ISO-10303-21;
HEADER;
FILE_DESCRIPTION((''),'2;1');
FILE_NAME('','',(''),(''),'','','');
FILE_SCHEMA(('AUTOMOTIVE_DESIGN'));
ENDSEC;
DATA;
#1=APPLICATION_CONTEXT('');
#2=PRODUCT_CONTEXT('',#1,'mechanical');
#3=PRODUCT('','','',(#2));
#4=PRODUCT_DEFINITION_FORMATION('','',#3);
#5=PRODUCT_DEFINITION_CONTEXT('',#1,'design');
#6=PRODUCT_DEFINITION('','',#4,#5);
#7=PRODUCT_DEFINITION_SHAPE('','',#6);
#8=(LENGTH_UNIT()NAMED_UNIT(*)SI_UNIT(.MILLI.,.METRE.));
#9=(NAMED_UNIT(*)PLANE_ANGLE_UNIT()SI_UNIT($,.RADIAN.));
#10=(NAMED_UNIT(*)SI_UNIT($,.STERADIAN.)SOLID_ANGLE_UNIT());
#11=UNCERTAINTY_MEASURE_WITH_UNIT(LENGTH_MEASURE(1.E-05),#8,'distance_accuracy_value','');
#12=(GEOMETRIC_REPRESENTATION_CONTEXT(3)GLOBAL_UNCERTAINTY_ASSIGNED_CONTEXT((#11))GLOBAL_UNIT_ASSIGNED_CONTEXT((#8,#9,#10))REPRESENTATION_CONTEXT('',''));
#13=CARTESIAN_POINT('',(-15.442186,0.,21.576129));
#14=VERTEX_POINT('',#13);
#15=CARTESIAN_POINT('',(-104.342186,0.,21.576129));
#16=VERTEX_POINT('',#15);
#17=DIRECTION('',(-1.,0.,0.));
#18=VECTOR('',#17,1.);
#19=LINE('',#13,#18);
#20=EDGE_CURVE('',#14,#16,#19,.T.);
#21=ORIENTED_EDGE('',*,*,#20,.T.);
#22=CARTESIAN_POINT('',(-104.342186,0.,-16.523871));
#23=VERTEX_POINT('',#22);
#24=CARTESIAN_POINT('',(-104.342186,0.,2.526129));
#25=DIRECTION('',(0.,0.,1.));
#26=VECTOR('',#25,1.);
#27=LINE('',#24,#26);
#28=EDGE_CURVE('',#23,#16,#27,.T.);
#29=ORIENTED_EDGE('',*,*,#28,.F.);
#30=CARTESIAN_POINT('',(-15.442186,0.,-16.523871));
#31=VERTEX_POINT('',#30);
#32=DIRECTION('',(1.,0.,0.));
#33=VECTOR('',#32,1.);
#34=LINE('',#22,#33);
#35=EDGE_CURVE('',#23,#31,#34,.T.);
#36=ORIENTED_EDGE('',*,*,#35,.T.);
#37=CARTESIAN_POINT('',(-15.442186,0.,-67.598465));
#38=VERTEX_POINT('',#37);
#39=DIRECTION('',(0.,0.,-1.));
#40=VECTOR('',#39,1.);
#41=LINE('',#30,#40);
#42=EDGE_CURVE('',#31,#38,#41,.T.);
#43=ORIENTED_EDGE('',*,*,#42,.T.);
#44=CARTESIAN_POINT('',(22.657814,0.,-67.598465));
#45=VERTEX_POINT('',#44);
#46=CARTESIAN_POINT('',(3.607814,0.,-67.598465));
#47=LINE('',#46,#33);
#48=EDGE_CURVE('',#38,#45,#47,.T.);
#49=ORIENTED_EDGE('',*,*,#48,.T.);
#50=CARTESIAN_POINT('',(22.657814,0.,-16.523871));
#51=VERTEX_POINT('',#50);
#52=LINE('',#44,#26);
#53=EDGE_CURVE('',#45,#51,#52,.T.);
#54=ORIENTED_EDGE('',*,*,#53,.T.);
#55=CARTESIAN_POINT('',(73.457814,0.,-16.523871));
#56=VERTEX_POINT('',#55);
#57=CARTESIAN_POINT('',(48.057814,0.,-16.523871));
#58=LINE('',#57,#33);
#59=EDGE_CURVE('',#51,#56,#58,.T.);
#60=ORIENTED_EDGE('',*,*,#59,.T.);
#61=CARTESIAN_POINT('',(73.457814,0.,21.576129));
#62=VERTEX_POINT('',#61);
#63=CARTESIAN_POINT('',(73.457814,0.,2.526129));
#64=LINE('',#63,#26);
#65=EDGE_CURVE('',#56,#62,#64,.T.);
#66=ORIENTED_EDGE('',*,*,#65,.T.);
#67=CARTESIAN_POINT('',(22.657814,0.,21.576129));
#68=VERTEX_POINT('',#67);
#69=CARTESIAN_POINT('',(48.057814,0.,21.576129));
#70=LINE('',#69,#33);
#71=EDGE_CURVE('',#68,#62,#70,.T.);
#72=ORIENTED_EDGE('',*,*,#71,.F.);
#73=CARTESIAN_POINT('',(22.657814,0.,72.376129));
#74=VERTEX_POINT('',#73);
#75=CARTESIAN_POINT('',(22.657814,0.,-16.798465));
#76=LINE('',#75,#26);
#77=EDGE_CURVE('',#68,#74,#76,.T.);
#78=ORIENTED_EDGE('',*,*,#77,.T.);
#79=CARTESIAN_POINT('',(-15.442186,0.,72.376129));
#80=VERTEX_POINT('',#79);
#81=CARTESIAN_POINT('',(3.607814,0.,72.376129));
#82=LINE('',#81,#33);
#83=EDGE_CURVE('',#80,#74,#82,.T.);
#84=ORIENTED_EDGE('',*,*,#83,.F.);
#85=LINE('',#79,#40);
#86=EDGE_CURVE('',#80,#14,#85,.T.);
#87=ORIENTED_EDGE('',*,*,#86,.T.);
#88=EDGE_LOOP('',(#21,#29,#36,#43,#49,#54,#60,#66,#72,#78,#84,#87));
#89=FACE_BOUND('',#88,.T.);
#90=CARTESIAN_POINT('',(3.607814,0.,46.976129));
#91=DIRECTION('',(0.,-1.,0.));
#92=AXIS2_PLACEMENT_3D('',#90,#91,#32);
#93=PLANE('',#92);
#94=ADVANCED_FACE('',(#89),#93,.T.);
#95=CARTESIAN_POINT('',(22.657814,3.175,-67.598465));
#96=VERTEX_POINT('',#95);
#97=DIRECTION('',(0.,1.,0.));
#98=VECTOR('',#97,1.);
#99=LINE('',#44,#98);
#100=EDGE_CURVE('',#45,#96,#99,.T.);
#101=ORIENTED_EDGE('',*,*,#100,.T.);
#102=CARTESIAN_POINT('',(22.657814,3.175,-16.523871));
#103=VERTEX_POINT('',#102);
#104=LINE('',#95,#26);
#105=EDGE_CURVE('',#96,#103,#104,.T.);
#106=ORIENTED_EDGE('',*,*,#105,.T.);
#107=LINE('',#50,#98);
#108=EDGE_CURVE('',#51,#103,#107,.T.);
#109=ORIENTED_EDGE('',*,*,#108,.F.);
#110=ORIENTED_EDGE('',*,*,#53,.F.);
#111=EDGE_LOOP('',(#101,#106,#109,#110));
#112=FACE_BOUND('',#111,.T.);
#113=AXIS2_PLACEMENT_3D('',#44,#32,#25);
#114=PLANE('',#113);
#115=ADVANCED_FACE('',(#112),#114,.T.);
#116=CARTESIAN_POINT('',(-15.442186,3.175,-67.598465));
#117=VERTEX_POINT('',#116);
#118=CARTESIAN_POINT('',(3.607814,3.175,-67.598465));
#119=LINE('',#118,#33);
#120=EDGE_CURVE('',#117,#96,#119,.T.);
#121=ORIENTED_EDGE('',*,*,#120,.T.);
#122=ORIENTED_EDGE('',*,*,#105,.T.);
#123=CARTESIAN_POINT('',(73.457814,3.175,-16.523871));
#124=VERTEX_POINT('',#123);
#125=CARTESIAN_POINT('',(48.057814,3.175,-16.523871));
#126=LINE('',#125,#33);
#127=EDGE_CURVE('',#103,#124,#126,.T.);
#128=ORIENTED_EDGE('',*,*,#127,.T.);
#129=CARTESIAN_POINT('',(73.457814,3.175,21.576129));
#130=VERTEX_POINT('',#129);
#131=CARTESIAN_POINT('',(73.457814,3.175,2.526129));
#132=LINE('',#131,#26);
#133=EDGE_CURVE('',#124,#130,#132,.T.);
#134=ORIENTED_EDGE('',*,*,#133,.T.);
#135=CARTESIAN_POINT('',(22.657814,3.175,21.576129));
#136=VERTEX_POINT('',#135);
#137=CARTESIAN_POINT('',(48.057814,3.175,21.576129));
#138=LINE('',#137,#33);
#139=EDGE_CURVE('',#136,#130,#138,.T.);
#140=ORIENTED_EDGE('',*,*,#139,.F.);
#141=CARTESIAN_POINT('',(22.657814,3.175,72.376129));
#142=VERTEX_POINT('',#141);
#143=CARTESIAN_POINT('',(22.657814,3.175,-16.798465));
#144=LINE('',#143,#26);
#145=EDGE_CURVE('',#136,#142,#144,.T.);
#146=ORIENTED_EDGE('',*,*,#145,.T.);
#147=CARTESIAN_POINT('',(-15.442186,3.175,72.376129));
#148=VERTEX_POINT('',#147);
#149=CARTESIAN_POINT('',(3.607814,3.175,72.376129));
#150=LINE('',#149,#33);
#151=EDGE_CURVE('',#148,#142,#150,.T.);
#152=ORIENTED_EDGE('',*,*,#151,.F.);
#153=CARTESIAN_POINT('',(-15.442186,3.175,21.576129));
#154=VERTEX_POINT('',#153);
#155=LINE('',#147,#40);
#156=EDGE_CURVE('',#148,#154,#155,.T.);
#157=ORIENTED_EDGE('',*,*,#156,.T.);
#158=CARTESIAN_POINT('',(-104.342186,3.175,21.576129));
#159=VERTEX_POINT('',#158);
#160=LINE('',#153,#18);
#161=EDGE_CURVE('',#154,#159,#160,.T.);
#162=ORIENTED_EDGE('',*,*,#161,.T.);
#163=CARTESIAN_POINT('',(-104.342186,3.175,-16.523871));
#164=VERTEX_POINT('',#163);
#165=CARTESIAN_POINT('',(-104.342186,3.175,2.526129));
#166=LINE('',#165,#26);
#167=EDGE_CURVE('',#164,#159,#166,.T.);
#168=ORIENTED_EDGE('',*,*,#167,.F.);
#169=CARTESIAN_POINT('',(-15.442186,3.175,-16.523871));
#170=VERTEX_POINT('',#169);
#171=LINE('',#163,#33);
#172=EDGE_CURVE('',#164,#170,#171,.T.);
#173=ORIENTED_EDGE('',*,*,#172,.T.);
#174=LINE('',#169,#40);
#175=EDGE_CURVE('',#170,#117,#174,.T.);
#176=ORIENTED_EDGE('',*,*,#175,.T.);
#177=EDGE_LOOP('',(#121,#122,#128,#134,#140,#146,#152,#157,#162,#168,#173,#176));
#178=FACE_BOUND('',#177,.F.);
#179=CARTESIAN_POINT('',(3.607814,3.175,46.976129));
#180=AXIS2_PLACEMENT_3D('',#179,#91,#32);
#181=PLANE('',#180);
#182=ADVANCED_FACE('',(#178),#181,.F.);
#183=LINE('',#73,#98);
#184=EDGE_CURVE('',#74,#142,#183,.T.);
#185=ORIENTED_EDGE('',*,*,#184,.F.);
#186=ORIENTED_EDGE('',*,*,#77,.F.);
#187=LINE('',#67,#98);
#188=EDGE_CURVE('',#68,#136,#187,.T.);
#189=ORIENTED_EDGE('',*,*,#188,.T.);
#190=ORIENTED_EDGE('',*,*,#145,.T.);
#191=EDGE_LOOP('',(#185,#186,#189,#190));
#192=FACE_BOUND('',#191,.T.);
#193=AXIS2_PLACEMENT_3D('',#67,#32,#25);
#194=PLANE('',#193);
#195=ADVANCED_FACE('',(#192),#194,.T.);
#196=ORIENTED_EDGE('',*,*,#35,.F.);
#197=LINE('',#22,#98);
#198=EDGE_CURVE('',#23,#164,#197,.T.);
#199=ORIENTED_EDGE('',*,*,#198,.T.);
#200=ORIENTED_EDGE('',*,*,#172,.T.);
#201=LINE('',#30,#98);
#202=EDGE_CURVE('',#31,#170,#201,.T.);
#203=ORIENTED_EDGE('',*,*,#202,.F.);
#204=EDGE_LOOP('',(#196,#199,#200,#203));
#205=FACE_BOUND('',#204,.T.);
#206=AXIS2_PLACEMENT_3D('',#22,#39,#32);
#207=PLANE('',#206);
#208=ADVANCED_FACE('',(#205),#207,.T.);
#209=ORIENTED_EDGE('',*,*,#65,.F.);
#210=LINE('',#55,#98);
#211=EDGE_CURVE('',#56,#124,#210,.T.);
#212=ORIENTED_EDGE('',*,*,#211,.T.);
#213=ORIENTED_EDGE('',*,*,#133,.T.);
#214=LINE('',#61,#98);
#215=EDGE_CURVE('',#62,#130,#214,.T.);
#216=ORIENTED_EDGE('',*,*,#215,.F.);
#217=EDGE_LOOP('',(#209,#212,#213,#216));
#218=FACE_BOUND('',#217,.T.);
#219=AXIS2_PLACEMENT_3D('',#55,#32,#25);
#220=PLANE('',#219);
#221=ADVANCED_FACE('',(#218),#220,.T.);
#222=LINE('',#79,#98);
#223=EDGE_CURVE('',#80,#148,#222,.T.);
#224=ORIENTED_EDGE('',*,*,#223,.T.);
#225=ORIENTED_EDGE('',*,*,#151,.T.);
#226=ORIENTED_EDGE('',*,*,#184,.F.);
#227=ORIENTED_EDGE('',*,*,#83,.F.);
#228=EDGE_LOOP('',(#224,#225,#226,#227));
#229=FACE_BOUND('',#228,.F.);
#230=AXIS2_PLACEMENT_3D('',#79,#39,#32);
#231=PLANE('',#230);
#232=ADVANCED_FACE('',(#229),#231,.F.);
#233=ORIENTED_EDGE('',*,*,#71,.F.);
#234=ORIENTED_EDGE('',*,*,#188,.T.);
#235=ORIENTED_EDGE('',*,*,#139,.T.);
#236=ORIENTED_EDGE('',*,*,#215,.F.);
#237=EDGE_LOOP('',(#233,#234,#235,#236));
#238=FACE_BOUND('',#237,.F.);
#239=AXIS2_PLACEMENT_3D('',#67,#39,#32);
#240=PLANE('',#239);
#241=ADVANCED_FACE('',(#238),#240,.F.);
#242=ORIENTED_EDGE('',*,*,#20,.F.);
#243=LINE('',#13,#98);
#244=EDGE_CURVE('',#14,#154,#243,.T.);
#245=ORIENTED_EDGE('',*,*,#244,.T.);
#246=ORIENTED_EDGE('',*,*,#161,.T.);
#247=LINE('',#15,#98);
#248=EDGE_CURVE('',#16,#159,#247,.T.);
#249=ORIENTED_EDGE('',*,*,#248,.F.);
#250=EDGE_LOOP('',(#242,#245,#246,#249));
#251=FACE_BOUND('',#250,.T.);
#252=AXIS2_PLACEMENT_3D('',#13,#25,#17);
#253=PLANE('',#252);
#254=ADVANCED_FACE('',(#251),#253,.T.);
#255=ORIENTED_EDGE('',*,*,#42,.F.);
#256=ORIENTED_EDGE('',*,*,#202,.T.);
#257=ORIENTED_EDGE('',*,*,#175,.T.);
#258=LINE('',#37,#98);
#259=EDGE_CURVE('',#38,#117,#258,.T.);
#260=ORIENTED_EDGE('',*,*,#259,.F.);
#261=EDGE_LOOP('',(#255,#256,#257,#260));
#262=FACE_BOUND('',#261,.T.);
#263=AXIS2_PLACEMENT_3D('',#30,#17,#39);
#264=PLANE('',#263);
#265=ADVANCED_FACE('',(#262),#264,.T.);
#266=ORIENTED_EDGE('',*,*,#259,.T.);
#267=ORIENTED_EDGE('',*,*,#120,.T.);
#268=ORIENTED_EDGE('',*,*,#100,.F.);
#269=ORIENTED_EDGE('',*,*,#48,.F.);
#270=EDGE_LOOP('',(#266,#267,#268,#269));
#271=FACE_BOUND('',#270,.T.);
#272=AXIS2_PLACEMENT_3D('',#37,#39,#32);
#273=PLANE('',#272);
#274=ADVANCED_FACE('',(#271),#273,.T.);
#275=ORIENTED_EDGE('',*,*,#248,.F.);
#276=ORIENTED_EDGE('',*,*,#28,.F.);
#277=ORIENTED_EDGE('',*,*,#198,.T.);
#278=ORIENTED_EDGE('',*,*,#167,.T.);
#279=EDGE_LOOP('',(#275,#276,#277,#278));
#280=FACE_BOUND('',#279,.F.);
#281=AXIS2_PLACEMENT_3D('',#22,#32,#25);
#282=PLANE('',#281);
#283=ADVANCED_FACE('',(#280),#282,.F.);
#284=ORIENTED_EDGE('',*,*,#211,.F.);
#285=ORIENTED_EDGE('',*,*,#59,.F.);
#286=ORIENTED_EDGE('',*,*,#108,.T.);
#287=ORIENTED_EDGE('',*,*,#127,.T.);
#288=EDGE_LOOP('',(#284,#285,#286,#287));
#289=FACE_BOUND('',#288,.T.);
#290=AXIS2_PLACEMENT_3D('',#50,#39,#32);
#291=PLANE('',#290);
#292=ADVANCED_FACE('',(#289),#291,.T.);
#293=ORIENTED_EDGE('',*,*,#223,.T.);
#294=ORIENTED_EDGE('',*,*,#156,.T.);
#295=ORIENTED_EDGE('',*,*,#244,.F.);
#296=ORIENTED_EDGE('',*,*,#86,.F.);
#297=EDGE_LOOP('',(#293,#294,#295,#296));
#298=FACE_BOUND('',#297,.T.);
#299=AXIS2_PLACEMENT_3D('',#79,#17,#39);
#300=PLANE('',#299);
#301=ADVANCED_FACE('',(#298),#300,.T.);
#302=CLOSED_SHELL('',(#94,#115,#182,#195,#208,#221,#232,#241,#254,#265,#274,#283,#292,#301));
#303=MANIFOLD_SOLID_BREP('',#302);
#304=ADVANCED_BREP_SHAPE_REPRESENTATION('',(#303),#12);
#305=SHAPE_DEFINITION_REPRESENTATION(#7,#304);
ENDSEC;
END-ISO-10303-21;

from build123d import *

# Parameters (mm, degrees)
F0_W     = 38.1
F0_H     = 50.8
F0_W_2   = 50.8
F0_H_2   = 38.1
F1_DEPTH = 3.175


with BuildPart() as f1:
    # F0 (on Front) → F1 (new body)
    with BuildSketch(Plane.XZ):
        with Locations((3.607814, 46.976129)):
            Rectangle(F0_W, F0_H)
        Polygon((22.657814, 21.576129), (-15.442186, 21.576129), (-15.442186, -16.523871), (-15.442186, -16.798465), (22.657814, -16.798465), (22.657814, -16.523871), align=None)
        with Locations((-40.842186, 2.526129)):
            Rectangle(F0_W_2, F0_H_2)
        with Locations((48.057814, 2.526129)):
            Rectangle(F0_W_2, F0_H_2)
        with Locations((-85.292186, 2.526129)):
            Rectangle(F0_W, F0_H_2)
        with Locations((3.607814, -42.198465)):
            Rectangle(F0_W, F0_H)
    extrude(amount=-F1_DEPTH)


solid = f1.part
